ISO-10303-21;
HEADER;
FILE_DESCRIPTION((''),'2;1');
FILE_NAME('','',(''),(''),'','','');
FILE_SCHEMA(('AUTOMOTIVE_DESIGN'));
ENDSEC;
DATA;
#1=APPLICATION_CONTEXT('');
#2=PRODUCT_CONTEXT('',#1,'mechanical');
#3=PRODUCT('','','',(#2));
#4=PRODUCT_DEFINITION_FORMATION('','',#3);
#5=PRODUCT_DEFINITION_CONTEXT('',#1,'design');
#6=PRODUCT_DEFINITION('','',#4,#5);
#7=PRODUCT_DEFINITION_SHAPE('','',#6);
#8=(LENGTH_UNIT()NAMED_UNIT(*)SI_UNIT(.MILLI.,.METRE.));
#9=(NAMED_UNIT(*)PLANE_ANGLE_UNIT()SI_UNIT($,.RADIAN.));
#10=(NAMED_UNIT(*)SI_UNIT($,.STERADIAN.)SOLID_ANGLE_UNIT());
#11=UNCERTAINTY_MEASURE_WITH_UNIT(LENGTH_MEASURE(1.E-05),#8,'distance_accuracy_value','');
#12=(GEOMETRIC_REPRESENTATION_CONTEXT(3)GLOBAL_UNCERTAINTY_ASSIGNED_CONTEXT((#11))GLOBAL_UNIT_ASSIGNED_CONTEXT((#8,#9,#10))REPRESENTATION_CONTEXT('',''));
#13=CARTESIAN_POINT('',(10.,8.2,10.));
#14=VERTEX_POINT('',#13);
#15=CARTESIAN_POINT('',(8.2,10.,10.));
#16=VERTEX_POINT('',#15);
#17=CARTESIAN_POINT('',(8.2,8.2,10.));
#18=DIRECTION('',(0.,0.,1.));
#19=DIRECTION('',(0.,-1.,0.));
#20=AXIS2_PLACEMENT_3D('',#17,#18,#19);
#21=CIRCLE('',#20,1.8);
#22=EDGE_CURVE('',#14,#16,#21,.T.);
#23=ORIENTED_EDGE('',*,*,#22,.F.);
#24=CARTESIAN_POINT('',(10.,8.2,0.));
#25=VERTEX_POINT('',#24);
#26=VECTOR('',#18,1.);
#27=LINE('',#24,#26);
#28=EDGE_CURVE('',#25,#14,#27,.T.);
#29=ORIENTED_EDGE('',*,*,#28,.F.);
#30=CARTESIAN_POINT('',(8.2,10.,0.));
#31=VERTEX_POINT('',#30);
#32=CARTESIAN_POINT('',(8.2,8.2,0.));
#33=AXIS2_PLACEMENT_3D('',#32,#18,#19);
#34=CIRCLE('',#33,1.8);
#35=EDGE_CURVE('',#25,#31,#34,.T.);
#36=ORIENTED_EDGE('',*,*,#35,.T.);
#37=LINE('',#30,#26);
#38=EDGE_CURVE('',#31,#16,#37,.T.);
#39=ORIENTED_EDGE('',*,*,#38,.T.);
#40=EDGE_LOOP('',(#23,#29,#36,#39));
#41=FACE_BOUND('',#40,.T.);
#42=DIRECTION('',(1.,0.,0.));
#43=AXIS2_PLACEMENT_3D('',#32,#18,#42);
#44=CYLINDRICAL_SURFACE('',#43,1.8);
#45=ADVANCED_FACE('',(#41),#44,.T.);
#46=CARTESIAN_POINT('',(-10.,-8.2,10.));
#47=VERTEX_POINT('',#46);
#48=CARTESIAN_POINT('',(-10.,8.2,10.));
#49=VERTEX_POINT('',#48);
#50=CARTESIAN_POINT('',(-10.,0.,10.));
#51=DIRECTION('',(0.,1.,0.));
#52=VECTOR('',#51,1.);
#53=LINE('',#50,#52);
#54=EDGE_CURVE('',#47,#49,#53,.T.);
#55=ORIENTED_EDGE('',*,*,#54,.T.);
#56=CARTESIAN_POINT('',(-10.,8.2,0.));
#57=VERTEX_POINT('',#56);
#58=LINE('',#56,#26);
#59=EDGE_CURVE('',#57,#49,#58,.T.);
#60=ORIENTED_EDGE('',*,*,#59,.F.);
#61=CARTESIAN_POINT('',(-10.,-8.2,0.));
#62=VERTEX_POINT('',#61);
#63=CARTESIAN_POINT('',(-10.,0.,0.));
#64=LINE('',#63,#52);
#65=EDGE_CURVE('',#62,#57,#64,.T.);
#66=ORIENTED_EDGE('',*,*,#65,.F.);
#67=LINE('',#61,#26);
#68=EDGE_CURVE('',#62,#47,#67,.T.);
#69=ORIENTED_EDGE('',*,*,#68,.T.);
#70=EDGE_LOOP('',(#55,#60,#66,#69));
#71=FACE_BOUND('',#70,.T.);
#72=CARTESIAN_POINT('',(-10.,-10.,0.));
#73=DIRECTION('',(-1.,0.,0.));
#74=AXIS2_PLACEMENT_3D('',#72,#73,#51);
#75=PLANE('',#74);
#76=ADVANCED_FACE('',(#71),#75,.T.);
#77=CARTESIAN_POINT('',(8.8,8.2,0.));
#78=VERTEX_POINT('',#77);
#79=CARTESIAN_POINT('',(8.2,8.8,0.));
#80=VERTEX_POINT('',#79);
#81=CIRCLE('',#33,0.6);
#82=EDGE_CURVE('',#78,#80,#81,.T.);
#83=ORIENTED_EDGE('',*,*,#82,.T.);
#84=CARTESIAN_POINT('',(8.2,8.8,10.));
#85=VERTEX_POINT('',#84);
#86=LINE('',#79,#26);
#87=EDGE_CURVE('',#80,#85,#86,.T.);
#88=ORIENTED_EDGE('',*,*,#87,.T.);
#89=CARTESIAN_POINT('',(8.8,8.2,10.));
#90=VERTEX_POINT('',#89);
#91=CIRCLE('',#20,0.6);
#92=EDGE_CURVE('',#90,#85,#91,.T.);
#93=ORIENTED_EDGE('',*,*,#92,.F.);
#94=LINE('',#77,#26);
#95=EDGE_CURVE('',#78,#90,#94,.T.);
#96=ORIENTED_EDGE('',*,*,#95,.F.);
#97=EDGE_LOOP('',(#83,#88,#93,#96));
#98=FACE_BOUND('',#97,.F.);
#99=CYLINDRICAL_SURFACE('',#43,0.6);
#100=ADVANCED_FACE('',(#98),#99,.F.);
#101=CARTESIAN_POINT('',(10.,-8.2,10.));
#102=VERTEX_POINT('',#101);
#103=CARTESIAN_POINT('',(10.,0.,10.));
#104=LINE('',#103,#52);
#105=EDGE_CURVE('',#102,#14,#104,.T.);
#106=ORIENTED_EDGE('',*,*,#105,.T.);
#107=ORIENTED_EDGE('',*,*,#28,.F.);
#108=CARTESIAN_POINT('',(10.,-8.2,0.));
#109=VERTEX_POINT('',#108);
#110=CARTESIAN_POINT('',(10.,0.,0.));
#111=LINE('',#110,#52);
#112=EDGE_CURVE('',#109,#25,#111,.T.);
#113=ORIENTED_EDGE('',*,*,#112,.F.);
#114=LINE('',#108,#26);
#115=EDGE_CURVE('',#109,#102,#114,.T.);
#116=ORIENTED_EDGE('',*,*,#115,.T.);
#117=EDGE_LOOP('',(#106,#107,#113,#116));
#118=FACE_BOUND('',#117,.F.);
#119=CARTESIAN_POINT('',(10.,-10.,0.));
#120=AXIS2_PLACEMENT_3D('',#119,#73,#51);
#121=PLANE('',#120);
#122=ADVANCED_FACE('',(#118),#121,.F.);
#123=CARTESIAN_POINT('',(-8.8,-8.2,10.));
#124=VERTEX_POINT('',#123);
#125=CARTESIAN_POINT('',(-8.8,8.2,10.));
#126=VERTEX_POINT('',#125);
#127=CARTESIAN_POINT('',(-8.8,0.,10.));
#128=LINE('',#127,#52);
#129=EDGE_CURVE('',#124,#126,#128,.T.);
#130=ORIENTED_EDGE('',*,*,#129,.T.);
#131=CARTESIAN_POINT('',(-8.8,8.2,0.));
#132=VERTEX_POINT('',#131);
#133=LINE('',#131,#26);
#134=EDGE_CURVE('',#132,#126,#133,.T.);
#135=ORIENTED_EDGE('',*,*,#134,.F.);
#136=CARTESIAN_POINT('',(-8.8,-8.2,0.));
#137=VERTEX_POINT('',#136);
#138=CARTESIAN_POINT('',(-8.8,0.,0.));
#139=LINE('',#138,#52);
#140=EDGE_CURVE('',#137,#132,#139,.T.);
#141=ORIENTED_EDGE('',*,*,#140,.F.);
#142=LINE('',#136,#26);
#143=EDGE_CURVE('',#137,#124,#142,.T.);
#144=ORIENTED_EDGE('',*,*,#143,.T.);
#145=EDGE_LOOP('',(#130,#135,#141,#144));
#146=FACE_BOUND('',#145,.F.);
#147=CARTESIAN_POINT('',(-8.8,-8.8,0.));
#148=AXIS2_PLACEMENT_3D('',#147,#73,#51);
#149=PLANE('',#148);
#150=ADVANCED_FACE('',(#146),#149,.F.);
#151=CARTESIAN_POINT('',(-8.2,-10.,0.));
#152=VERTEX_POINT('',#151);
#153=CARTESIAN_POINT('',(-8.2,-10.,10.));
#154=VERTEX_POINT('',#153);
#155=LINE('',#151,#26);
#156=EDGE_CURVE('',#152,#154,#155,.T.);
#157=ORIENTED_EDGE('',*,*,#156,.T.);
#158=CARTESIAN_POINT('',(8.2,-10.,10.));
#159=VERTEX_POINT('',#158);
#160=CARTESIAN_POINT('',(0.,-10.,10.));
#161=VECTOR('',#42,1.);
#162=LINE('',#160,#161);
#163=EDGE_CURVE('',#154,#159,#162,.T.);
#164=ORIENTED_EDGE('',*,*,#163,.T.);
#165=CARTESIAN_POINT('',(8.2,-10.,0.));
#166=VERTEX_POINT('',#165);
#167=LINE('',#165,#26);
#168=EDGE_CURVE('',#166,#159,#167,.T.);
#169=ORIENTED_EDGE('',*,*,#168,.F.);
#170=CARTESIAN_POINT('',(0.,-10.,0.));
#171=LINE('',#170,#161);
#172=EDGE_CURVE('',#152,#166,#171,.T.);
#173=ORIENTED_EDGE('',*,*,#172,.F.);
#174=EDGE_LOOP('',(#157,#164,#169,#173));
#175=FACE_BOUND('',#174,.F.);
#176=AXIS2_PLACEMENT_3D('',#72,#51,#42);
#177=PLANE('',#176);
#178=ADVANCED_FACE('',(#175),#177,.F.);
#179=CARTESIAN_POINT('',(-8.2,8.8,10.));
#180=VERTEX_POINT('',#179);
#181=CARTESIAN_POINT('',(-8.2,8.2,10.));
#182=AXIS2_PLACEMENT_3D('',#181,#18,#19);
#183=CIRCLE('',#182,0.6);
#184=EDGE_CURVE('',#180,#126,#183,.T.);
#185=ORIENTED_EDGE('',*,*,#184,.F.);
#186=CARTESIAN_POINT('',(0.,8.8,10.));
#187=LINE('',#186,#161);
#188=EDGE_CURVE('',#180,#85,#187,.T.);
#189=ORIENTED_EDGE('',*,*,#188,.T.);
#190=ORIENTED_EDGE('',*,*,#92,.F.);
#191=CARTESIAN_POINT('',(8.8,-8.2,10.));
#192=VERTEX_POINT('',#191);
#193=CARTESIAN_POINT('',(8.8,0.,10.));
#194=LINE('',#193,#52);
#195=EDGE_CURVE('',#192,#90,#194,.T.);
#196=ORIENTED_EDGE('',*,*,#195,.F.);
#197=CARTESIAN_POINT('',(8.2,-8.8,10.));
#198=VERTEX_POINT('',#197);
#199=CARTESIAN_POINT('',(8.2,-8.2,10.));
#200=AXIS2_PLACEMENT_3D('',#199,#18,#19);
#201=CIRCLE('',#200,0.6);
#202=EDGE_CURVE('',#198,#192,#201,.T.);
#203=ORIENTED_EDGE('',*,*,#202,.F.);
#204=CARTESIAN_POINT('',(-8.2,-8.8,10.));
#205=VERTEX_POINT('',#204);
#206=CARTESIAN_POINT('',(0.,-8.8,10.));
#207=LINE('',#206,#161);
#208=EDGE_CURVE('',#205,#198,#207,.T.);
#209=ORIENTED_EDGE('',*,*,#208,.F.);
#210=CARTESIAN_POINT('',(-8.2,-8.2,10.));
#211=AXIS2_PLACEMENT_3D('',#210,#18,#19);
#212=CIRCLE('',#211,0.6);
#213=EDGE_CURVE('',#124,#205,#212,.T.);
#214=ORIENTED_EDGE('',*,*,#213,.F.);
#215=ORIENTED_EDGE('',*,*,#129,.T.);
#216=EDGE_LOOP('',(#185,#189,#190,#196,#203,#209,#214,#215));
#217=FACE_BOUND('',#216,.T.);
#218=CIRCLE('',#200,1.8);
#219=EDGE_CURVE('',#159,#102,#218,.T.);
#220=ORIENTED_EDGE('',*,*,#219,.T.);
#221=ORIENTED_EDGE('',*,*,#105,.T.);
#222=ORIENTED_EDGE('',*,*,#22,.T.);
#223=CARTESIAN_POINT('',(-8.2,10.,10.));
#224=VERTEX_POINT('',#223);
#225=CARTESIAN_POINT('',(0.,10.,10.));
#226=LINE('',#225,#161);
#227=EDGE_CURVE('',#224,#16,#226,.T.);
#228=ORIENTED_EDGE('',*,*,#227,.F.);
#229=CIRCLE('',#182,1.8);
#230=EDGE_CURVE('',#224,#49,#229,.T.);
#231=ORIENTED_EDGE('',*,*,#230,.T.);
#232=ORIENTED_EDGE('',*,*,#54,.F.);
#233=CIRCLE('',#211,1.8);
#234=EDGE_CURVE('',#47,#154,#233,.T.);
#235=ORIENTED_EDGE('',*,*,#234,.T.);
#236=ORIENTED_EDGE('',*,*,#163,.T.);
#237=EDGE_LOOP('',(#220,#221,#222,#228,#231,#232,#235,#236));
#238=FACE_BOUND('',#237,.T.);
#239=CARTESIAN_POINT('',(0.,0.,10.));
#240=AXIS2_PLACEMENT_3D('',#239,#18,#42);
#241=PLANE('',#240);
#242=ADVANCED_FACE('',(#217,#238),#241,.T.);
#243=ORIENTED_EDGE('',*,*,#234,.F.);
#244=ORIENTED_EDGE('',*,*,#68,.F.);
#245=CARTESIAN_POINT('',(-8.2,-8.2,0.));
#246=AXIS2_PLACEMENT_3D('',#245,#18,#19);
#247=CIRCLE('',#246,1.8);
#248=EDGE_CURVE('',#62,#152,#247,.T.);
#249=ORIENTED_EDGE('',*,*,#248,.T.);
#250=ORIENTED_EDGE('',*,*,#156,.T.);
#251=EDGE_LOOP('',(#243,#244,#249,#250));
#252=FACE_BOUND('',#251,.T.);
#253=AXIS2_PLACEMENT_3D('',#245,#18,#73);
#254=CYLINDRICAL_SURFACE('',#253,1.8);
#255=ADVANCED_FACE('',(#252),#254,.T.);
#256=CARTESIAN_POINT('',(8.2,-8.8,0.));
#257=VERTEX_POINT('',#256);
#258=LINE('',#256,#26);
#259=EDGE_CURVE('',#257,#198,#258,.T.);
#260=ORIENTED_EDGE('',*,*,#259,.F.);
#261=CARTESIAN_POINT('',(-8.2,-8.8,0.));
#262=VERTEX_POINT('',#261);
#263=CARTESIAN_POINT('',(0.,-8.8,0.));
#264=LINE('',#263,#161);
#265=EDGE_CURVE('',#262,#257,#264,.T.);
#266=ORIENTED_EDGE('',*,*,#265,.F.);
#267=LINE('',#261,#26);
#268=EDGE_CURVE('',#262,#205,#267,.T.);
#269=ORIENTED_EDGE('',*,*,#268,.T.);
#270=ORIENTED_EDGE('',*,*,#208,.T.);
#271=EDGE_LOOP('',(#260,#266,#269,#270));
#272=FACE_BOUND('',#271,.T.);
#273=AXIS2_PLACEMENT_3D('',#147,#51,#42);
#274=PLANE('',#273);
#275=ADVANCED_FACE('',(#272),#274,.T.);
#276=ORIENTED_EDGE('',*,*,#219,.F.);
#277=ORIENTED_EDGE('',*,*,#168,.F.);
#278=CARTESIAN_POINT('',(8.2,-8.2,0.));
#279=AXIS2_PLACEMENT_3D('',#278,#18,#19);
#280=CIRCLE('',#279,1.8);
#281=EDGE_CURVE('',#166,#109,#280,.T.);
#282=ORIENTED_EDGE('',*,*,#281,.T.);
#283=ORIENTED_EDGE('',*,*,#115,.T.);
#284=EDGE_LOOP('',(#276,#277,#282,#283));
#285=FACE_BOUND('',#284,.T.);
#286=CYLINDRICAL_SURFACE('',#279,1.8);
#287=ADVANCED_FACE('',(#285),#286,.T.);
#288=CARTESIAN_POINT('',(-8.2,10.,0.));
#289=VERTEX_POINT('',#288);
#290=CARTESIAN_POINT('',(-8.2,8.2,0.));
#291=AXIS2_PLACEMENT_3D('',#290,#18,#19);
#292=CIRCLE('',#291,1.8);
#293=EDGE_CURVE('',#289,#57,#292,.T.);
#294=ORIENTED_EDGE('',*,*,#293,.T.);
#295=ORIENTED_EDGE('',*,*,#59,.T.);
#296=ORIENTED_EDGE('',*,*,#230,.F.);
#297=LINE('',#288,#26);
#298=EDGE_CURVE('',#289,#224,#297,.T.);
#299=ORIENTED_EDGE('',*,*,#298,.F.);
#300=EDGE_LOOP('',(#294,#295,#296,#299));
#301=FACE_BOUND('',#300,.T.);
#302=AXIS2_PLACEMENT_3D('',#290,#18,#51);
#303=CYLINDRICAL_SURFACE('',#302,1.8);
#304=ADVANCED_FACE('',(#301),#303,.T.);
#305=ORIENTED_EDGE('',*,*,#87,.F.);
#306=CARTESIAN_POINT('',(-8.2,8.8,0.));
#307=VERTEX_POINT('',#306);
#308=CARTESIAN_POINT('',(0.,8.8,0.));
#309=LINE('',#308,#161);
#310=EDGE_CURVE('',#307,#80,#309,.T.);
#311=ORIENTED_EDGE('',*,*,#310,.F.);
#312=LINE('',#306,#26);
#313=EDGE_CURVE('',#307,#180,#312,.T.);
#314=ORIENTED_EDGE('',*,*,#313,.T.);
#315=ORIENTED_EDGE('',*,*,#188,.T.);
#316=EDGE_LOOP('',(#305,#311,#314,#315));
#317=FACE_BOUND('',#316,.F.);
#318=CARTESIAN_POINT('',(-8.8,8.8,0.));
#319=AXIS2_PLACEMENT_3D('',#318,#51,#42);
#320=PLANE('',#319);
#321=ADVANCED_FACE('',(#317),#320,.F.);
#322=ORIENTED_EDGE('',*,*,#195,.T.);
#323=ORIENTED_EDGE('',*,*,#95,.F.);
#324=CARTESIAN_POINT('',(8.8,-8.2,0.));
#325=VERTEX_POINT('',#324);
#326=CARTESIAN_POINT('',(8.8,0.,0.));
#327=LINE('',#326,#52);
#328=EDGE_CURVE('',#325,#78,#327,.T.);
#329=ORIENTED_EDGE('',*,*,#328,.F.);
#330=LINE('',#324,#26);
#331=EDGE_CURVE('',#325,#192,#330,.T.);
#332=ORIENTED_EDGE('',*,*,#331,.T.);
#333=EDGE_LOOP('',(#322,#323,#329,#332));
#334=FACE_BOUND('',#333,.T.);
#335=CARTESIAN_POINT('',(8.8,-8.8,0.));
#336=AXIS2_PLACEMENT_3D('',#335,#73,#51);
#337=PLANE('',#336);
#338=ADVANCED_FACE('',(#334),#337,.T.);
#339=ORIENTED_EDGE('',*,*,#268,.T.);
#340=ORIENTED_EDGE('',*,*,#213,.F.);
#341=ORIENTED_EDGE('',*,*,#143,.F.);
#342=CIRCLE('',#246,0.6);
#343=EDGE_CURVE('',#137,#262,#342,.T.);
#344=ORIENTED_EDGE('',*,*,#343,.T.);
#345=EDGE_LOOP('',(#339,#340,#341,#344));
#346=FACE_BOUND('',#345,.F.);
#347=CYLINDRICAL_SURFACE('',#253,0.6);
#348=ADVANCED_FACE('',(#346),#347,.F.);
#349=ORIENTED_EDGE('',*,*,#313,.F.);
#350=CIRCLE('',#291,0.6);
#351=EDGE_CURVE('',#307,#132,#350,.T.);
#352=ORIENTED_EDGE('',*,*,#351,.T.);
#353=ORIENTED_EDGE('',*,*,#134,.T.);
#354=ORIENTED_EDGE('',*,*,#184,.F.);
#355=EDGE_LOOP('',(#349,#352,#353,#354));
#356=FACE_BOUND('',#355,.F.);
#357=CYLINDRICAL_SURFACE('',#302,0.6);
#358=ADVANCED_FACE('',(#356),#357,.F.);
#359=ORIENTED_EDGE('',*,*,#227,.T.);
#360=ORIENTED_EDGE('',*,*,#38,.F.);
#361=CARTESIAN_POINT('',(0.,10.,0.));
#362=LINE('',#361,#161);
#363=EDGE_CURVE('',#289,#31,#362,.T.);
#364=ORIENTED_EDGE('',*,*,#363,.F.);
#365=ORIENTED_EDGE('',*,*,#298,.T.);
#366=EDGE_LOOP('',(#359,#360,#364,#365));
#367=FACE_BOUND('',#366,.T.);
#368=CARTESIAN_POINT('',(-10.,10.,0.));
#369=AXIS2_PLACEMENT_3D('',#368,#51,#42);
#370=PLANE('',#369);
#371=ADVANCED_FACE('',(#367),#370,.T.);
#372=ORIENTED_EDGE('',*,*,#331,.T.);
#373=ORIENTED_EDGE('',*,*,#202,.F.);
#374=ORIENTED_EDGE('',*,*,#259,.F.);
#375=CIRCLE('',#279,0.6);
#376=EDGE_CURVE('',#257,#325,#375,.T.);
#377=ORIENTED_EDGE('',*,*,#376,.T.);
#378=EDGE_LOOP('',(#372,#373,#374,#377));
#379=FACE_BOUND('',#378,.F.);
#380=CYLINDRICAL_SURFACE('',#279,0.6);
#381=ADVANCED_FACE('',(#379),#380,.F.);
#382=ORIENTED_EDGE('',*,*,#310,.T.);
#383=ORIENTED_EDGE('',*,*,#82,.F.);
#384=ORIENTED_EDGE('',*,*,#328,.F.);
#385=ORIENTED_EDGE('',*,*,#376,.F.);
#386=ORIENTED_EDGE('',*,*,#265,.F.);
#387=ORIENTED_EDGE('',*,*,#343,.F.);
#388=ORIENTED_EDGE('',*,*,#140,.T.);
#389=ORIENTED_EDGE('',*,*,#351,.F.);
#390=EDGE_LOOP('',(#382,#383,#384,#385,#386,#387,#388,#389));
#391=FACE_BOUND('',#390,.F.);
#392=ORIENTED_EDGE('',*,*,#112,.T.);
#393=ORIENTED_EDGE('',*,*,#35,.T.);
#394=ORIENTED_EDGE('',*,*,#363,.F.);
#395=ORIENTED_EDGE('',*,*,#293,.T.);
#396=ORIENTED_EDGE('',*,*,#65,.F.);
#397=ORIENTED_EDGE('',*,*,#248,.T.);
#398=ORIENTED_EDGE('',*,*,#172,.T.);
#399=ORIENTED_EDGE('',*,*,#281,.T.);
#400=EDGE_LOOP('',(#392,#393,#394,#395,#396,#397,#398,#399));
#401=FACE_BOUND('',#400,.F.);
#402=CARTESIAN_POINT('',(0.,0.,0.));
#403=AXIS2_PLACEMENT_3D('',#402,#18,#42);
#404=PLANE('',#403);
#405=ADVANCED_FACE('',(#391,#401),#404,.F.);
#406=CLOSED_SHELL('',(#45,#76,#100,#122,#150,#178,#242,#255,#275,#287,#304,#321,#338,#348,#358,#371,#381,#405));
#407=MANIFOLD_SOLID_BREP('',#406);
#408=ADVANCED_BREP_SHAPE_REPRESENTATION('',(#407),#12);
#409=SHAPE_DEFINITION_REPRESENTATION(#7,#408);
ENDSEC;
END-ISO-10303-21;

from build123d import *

# Parameters (mm, degrees)
F0_W     = 20
F0_H     = 20
F0_W_2   = 17.6
F0_H_2   = 17.6
F1_DEPTH = 10
F2_R     = 1.8
F3_R     = 1.8
F4_R     = 1.8
F5_R     = 1.8
F6_R     = 0.6
F7_R     = 0.6
F8_R     = 0.6
F9_R     = 0.6


with BuildPart() as f1:
    # F0 (on Top) → F1 (new body)
    with BuildSketch(Plane.XY):
        Rectangle(F0_W, F0_H)
        Rectangle(F0_W_2, F0_H_2, mode=Mode.SUBTRACT)
    extrude(amount=F1_DEPTH)

    # F2
    f2_edges = [f1.edges().sort_by_distance(p)[0] for p in [
        (10, -10, 5),
    ]]
    fillet(f2_edges, radius=F2_R)

    # F3
    f3_edges = [f1.edges().sort_by_distance(p)[0] for p in [
        (10, 10, 5),
    ]]
    fillet(f3_edges, radius=F3_R)

    # F4
    f4_edges = [f1.edges().sort_by_distance(p)[0] for p in [
        (-10, 10, 5),
    ]]
    fillet(f4_edges, radius=F4_R)

    # F5
    f5_edges = [f1.edges().sort_by_distance(p)[0] for p in [
        (-10, -10, 5),
    ]]
    fillet(f5_edges, radius=F5_R)

    # F6
    f6_edges = [f1.edges().sort_by_distance(p)[0] for p in [
        (-8.8, 8.8, 5),
    ]]
    fillet(f6_edges, radius=F6_R)

    # F7
    f7_edges = [f1.edges().sort_by_distance(p)[0] for p in [
        (-8.8, -8.8, 5),
    ]]
    fillet(f7_edges, radius=F7_R)

    # F8
    f8_edges = [f1.edges().sort_by_distance(p)[0] for p in [
        (8.8, -8.8, 5),
    ]]
    fillet(f8_edges, radius=F8_R)

    # F9
    f9_edges = [f1.edges().sort_by_distance(p)[0] for p in [
        (8.8, 8.8, 5),
    ]]
    fillet(f9_edges, radius=F9_R)


solid = f1.part
